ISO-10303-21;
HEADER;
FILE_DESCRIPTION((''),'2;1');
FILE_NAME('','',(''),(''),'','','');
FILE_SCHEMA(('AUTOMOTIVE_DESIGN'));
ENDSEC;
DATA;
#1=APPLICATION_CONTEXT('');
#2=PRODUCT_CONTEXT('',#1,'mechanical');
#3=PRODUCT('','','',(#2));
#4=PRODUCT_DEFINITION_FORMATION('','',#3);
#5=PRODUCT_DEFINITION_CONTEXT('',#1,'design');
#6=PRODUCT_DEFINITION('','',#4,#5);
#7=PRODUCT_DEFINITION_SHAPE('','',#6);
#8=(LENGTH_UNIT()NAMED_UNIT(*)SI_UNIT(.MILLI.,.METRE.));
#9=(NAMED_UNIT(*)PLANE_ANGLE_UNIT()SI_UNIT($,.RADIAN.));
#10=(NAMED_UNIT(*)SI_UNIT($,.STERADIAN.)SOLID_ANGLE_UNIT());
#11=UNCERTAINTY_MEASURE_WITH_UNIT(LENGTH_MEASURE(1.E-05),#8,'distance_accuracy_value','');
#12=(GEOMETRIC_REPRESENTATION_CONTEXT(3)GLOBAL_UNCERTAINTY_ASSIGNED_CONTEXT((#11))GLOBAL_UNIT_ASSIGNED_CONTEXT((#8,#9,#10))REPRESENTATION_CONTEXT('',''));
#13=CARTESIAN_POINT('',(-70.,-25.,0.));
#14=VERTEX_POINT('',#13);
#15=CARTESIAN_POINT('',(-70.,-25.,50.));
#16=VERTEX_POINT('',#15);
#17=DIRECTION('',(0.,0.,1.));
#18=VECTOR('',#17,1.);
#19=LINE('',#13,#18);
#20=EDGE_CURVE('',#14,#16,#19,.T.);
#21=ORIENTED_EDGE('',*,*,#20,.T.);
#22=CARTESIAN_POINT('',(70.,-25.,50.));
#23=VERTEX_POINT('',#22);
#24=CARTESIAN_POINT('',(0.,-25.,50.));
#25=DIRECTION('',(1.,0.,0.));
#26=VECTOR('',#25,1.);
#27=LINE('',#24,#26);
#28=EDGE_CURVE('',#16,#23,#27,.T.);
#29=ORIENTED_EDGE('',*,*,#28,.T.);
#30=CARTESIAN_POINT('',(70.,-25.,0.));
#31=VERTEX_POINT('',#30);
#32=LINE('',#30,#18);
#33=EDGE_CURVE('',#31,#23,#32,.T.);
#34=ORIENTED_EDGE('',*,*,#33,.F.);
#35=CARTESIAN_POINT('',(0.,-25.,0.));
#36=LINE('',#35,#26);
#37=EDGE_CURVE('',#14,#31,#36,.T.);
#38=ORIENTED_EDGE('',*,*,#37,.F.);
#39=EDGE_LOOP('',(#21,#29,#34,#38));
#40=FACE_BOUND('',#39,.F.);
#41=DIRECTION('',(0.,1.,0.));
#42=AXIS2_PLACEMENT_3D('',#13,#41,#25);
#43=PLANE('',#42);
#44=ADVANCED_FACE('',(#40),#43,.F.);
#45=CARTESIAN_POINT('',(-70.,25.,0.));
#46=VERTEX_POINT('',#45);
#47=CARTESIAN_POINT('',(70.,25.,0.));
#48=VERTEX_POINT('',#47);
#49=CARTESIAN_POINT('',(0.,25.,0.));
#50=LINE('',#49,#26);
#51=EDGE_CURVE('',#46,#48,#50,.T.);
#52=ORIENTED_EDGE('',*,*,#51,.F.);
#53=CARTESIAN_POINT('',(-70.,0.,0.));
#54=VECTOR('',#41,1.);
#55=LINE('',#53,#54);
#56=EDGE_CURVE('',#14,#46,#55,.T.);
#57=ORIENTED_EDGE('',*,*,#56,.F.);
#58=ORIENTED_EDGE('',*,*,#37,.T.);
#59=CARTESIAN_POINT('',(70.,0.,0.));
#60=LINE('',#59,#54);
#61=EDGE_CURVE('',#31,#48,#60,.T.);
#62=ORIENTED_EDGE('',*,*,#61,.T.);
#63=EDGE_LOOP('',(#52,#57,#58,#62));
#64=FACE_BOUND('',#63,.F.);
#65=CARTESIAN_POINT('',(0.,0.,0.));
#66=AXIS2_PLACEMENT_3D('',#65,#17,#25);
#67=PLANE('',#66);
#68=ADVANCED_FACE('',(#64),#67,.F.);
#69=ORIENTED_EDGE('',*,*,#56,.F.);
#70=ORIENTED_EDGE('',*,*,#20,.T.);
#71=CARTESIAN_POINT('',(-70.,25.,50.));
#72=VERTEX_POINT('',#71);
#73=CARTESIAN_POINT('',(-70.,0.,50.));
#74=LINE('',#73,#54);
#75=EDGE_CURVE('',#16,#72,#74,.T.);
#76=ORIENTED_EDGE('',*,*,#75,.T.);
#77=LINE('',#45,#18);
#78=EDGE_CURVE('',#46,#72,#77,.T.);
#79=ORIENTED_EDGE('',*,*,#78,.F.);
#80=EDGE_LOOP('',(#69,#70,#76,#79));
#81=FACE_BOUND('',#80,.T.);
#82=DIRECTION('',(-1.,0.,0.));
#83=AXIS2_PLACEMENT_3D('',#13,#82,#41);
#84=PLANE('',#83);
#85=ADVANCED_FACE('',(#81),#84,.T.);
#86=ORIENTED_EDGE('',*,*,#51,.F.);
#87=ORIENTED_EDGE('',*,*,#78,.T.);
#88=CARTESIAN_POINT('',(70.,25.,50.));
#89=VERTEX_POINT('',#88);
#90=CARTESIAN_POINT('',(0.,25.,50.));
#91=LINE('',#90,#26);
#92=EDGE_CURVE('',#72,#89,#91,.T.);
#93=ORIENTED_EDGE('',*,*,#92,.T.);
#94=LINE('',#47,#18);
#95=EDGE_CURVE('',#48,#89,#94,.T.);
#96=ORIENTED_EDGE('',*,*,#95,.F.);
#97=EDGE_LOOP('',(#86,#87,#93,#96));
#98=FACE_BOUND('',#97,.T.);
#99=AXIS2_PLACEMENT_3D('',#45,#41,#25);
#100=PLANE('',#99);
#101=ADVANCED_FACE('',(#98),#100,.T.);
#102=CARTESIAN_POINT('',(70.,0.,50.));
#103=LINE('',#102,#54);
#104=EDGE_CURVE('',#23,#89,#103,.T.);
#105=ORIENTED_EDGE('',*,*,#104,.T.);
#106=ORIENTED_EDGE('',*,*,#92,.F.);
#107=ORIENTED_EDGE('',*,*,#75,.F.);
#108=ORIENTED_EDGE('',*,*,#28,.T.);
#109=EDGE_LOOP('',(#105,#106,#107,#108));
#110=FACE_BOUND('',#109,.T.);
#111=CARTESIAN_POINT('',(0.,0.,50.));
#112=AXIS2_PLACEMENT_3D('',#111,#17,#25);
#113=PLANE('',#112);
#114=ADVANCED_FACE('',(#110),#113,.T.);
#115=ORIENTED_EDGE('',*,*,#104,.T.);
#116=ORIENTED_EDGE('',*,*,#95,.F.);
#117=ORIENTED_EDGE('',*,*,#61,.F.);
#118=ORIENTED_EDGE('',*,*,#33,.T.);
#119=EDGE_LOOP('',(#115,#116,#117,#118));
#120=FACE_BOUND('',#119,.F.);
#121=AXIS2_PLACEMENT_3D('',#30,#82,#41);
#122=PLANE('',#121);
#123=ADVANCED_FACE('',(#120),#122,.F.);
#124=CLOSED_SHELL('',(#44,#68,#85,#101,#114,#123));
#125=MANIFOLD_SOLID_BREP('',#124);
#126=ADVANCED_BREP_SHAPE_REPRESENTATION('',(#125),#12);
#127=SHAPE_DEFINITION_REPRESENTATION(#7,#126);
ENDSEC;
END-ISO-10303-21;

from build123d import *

# Parameters (mm, degrees)
SKETCH_W      = 140
SKETCH_H      = 50
EXTRUDE_DEPTH = 50


with BuildPart() as part:
    # Sketch → Extrude (new body)
    with BuildSketch(Plane.XY):
        Rectangle(SKETCH_W, SKETCH_H)
    extrude(amount=EXTRUDE_DEPTH)


solid = part.part
